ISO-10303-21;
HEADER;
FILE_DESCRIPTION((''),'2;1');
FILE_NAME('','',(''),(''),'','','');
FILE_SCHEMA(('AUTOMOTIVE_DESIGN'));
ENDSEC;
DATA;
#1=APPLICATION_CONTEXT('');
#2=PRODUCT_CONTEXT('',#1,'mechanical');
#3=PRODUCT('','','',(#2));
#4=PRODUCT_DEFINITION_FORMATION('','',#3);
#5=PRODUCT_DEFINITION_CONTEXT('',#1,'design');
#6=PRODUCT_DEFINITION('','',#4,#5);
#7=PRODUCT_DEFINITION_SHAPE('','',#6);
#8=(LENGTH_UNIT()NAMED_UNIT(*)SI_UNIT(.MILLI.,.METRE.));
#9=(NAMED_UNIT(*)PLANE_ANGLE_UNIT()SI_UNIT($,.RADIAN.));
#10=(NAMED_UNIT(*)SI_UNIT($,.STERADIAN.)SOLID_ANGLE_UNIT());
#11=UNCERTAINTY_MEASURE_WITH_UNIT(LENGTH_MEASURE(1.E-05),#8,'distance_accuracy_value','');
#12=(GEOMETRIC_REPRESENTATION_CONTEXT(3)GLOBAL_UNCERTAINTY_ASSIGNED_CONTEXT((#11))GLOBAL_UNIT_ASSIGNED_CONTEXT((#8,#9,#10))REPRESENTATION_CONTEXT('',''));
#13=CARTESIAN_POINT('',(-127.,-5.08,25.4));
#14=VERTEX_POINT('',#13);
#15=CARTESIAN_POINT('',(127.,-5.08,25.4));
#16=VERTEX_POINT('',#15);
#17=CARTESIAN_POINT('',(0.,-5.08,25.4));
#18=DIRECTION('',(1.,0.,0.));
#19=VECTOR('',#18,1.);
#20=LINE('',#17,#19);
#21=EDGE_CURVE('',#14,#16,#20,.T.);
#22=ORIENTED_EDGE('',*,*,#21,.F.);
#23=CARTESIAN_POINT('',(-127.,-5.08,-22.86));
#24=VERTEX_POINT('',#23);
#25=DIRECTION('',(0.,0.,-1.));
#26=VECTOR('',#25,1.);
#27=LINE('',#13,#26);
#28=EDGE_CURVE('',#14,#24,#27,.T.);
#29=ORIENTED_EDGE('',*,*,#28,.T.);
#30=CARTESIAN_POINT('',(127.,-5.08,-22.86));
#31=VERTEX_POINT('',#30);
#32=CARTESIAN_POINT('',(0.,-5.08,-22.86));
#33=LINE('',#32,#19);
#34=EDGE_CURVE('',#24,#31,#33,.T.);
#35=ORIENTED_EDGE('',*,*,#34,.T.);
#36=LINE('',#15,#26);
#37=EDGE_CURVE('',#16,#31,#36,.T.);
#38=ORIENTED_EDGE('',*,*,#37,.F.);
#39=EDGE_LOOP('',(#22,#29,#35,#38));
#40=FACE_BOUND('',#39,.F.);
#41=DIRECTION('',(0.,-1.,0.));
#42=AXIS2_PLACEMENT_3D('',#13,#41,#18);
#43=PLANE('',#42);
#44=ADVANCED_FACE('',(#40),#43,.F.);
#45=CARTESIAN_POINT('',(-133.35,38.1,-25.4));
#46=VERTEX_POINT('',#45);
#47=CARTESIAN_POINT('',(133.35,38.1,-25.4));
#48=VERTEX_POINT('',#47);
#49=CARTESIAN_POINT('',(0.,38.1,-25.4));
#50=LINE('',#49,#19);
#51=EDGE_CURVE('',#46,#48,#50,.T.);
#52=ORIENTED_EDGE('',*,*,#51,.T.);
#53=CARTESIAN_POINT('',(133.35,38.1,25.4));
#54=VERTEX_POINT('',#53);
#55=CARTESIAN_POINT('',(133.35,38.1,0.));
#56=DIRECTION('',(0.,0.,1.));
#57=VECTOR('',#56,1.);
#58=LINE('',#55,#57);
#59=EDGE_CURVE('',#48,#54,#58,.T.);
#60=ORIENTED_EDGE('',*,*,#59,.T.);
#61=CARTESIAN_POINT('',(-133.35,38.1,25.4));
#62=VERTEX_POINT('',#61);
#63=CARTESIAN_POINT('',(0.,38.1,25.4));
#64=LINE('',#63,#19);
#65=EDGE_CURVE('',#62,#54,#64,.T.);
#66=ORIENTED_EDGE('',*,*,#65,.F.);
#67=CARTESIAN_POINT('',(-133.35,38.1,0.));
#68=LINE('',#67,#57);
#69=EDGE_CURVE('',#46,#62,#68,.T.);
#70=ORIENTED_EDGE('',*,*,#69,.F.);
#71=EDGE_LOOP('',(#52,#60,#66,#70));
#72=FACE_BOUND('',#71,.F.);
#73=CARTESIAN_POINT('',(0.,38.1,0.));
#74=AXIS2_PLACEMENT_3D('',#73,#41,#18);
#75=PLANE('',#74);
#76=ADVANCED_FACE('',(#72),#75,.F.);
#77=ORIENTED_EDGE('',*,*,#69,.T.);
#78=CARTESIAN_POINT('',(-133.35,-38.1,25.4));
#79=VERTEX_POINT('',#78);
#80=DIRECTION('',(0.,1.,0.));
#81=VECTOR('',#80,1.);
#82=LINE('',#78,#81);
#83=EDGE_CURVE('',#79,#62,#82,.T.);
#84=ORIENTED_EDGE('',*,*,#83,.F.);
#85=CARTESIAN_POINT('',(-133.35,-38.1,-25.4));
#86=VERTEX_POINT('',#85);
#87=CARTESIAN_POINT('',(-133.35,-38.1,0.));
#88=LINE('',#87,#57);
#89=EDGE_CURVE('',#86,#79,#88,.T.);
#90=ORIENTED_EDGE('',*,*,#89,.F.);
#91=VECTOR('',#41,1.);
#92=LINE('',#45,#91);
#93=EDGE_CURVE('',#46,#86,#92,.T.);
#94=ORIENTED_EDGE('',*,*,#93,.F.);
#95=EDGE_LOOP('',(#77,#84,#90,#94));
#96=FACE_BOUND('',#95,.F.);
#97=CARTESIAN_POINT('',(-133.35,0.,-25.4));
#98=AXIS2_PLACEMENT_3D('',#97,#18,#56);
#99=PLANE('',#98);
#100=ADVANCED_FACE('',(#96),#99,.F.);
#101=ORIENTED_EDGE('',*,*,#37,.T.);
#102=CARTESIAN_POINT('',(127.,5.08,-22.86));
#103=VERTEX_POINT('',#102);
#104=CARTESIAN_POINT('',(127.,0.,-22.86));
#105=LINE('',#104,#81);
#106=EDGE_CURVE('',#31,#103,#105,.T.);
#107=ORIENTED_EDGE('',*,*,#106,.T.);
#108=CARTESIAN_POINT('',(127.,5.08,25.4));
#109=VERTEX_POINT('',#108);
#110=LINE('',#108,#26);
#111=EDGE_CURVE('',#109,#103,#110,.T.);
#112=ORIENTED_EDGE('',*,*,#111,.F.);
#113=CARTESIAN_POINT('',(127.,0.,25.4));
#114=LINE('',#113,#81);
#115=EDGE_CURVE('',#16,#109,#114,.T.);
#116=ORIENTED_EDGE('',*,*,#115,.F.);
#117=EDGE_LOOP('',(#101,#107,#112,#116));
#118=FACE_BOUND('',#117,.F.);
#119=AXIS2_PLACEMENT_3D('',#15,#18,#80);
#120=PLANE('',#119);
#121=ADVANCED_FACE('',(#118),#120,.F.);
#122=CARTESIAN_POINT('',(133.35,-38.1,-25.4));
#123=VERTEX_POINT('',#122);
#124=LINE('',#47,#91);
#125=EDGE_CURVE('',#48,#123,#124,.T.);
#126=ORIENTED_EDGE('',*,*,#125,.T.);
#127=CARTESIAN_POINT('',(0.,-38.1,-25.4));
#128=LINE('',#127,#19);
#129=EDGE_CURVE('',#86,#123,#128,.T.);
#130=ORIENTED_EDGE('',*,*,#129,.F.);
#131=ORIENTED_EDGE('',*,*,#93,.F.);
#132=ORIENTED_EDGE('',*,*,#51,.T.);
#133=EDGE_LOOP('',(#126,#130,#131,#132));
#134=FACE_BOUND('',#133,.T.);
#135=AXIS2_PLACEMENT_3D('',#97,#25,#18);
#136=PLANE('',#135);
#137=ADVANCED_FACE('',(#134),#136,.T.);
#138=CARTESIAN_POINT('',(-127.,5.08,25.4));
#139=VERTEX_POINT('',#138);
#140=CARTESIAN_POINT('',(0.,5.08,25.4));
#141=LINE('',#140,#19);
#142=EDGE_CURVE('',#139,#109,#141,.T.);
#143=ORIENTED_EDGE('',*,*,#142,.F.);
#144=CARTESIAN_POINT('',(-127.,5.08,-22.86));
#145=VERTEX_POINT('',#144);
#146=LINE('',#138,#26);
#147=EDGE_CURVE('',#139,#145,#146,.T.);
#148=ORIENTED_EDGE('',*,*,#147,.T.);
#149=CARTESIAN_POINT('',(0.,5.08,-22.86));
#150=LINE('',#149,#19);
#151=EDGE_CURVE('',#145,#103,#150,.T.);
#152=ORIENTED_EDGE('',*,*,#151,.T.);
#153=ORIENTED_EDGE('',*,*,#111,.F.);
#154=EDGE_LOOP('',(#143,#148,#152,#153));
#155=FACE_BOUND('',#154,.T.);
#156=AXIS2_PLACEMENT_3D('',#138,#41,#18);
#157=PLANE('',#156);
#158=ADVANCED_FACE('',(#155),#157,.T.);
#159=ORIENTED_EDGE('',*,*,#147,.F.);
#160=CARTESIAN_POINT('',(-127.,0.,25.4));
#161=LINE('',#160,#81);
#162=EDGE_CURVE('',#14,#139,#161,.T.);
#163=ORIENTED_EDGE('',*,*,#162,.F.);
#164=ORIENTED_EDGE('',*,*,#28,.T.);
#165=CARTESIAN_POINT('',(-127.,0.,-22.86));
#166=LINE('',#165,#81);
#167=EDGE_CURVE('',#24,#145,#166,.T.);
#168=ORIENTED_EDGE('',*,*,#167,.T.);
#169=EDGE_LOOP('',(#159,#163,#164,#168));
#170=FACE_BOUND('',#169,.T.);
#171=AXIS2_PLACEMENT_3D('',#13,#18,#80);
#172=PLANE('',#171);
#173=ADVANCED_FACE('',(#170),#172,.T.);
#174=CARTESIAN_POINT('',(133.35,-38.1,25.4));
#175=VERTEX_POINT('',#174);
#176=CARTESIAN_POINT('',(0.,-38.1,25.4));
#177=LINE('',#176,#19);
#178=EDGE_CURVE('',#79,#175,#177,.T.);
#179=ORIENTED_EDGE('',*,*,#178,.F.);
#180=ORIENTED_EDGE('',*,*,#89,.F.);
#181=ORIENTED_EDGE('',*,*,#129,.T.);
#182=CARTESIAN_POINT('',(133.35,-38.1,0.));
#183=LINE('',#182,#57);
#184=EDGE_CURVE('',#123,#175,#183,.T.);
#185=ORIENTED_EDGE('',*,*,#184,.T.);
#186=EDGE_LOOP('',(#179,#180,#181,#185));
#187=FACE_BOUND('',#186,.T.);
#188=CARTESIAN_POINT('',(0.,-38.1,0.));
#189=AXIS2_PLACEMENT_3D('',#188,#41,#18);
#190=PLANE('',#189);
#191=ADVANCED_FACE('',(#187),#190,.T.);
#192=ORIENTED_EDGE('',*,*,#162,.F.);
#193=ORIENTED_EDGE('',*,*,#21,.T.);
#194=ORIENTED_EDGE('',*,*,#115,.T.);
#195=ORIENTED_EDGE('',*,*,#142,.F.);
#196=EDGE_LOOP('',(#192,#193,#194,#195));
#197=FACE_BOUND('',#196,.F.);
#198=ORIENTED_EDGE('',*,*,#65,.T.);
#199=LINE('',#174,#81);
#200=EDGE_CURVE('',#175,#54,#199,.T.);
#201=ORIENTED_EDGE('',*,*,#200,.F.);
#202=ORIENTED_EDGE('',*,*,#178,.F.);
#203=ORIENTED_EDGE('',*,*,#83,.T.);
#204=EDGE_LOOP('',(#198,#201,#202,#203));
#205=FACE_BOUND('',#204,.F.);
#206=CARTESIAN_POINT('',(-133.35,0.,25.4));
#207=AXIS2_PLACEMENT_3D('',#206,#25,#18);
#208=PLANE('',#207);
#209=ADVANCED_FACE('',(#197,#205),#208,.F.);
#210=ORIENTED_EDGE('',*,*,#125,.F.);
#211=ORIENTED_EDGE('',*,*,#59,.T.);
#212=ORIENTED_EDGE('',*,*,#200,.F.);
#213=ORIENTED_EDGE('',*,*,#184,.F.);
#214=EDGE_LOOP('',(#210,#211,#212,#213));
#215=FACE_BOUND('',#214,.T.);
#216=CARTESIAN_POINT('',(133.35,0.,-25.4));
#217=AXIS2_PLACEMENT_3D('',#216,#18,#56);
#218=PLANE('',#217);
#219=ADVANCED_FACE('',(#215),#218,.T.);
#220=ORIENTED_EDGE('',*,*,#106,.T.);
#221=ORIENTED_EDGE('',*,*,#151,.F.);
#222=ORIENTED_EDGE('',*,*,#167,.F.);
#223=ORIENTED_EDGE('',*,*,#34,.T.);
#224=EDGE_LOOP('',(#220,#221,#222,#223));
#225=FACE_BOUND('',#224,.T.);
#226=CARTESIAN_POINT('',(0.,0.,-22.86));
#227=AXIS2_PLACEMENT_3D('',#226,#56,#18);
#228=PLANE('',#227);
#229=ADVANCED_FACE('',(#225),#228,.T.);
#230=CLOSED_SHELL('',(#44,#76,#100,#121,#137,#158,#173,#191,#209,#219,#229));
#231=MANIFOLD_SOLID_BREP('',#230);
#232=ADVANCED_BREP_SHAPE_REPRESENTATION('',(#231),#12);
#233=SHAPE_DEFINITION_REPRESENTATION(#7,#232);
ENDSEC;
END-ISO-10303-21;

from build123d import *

# Parameters (mm, degrees)
F0_W     = 266.7
F0_H     = 50.8
F1_DEPTH = 38.1
F2_W     = 254
F2_H     = 10.16
F3_DEPTH = 48.26


with BuildPart() as f1:
    # F0 (on Front) → F1 (new body, symmetric)
    with BuildSketch(Plane.XZ):
        Rectangle(F0_W, F0_H)
    extrude(amount=F1_DEPTH, both=True)

    # F2 (on face) → F3 (cut)
    with BuildSketch(Plane.XY.offset(25.4)):
        Rectangle(F2_W, F2_H)
    extrude(amount=-F3_DEPTH, mode=Mode.SUBTRACT)


solid = f1.part
